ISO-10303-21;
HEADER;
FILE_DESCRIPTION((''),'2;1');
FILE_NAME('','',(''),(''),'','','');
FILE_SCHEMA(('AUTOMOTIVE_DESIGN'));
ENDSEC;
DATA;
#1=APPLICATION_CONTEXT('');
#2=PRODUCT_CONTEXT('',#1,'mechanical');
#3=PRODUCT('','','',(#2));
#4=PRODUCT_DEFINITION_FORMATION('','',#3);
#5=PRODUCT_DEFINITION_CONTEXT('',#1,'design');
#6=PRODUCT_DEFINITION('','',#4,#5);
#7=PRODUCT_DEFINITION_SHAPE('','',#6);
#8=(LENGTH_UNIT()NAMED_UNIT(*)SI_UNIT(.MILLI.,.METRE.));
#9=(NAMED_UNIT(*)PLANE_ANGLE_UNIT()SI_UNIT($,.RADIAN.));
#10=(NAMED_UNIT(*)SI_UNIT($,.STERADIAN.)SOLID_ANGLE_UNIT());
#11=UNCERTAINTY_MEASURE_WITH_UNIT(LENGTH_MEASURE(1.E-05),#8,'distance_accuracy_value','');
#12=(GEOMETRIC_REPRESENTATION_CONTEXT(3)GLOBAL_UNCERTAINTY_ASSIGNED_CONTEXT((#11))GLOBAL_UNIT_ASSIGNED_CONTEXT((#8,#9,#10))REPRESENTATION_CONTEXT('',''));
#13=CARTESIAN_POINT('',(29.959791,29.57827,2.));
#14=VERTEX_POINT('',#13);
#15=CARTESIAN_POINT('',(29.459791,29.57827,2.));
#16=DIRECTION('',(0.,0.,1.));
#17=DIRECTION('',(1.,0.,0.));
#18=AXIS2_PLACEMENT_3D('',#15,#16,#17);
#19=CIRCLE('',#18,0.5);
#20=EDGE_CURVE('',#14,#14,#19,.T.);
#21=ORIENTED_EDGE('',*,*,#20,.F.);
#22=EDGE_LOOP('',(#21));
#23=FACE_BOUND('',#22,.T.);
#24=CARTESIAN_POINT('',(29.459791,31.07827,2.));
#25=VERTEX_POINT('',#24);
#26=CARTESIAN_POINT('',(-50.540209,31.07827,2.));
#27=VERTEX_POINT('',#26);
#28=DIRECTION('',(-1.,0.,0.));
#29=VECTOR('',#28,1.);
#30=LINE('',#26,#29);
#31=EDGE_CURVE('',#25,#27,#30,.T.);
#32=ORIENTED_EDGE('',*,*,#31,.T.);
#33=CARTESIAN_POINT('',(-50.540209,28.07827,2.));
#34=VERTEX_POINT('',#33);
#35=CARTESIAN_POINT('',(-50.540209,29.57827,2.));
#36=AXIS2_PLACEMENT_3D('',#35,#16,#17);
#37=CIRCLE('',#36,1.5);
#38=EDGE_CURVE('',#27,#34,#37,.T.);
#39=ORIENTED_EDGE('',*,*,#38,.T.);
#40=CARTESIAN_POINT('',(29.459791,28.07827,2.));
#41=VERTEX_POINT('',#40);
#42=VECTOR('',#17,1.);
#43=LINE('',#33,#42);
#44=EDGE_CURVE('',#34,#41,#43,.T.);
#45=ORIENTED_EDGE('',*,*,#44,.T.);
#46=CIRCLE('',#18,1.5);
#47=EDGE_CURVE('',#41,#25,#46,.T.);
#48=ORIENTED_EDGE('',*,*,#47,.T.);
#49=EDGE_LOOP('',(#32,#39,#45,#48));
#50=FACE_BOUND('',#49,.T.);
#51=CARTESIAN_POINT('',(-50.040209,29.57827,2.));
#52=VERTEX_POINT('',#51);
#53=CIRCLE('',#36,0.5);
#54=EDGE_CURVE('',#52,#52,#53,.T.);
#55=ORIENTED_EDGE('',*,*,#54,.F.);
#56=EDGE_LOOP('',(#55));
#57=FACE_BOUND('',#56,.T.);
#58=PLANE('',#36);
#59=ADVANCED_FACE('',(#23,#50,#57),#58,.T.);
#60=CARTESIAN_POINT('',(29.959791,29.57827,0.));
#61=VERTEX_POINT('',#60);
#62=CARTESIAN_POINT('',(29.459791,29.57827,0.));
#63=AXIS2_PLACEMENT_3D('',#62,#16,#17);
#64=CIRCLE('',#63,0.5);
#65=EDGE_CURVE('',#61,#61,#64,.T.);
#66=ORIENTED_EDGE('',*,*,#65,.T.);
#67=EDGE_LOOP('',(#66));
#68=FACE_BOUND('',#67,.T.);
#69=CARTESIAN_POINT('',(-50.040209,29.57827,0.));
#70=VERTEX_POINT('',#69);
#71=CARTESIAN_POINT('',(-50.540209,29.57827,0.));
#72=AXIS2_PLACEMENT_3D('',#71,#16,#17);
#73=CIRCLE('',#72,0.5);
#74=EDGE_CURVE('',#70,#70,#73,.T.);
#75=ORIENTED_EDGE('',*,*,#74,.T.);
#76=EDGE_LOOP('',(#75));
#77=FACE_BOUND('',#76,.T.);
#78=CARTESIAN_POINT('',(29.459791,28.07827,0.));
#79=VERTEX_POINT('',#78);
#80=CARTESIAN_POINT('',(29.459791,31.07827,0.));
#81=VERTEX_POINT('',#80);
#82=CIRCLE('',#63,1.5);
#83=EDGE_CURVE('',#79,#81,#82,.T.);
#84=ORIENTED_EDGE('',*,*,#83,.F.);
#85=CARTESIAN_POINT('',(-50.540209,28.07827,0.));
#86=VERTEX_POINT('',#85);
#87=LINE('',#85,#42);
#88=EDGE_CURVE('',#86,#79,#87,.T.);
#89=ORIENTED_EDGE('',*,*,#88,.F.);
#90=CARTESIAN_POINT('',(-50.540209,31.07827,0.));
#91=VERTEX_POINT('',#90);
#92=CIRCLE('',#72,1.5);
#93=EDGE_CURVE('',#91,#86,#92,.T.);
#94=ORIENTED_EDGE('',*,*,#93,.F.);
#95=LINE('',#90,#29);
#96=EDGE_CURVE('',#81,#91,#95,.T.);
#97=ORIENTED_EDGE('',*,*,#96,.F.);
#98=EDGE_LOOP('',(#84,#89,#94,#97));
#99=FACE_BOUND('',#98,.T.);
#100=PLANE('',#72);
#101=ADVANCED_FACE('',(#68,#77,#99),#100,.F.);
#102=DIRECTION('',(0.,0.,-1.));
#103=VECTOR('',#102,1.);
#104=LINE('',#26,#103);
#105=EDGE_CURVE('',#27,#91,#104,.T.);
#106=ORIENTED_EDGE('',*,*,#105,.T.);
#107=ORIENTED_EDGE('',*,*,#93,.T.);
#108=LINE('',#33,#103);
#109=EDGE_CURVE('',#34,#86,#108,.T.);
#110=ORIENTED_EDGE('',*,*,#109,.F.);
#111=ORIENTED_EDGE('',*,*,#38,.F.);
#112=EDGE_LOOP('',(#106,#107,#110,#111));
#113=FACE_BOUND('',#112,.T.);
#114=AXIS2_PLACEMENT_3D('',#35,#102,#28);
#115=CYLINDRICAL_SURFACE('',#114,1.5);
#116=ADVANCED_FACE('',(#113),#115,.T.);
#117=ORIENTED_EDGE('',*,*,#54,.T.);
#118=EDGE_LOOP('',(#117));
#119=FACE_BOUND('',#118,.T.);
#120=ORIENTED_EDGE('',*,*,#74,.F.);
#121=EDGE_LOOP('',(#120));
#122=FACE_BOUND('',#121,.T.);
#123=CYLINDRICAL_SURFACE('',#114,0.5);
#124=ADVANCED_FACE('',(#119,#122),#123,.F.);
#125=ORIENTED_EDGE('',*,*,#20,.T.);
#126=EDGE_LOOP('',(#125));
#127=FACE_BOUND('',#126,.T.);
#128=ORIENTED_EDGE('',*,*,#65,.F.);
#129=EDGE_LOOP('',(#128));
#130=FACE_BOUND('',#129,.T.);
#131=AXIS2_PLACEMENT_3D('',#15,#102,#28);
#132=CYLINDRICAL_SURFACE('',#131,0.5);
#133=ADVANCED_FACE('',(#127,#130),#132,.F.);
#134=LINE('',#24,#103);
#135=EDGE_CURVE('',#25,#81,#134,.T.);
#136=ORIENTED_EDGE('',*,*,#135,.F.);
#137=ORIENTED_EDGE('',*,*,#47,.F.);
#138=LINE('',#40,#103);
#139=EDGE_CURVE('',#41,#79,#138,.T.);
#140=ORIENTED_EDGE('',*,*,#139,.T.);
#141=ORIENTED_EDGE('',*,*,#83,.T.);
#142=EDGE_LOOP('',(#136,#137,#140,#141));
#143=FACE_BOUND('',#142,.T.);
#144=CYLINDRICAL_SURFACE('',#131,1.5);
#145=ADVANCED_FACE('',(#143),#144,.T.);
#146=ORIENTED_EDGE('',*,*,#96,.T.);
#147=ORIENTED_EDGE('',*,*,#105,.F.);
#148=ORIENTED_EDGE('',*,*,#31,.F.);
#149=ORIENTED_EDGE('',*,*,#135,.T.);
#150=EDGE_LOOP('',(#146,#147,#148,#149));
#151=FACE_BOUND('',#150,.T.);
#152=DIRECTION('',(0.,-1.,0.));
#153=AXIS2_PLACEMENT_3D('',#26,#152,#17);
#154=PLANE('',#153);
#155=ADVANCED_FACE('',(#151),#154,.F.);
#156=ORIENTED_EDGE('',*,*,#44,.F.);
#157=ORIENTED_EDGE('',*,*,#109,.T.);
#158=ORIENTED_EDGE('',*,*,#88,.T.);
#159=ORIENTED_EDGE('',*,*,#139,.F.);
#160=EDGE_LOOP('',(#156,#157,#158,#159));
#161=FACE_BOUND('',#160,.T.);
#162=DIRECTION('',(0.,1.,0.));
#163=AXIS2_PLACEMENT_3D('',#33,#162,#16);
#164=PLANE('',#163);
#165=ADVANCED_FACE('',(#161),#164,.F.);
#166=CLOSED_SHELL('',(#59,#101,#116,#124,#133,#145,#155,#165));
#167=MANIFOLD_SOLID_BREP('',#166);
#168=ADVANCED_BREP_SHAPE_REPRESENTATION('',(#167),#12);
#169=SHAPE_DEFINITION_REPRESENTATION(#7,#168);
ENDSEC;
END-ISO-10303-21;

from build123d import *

# Parameters (mm, degrees)
SKETCH_1_R      = 0.5
EXTRUDE_1_DEPTH = 2


with BuildPart() as part:
    # 草图1 → 凸台-拉伸1 (new body)
    with BuildSketch(Plane.XY):
        with BuildLine():
            Line((-50.540209051, 31.078269692), (29.459790949, 31.078269692))
            ThreePointArc((29.459790949, 31.078269692), (30.959790949, 29.578269692), (29.459790949, 28.078269692))
            Line((29.459790949, 28.078269692), (-50.540209051, 28.078269692))
            ThreePointArc((-50.540209051, 28.078269692), (-52.040209051, 29.578269692), (-50.540209051, 31.078269692))
        make_face()
        with Locations((-50.540209051, 29.578269692)):
            Circle(SKETCH_1_R, mode=Mode.SUBTRACT)
        with Locations((29.459790949, 29.578269692)):
            Circle(SKETCH_1_R, mode=Mode.SUBTRACT)
    extrude(amount=EXTRUDE_1_DEPTH)


solid = part.part
